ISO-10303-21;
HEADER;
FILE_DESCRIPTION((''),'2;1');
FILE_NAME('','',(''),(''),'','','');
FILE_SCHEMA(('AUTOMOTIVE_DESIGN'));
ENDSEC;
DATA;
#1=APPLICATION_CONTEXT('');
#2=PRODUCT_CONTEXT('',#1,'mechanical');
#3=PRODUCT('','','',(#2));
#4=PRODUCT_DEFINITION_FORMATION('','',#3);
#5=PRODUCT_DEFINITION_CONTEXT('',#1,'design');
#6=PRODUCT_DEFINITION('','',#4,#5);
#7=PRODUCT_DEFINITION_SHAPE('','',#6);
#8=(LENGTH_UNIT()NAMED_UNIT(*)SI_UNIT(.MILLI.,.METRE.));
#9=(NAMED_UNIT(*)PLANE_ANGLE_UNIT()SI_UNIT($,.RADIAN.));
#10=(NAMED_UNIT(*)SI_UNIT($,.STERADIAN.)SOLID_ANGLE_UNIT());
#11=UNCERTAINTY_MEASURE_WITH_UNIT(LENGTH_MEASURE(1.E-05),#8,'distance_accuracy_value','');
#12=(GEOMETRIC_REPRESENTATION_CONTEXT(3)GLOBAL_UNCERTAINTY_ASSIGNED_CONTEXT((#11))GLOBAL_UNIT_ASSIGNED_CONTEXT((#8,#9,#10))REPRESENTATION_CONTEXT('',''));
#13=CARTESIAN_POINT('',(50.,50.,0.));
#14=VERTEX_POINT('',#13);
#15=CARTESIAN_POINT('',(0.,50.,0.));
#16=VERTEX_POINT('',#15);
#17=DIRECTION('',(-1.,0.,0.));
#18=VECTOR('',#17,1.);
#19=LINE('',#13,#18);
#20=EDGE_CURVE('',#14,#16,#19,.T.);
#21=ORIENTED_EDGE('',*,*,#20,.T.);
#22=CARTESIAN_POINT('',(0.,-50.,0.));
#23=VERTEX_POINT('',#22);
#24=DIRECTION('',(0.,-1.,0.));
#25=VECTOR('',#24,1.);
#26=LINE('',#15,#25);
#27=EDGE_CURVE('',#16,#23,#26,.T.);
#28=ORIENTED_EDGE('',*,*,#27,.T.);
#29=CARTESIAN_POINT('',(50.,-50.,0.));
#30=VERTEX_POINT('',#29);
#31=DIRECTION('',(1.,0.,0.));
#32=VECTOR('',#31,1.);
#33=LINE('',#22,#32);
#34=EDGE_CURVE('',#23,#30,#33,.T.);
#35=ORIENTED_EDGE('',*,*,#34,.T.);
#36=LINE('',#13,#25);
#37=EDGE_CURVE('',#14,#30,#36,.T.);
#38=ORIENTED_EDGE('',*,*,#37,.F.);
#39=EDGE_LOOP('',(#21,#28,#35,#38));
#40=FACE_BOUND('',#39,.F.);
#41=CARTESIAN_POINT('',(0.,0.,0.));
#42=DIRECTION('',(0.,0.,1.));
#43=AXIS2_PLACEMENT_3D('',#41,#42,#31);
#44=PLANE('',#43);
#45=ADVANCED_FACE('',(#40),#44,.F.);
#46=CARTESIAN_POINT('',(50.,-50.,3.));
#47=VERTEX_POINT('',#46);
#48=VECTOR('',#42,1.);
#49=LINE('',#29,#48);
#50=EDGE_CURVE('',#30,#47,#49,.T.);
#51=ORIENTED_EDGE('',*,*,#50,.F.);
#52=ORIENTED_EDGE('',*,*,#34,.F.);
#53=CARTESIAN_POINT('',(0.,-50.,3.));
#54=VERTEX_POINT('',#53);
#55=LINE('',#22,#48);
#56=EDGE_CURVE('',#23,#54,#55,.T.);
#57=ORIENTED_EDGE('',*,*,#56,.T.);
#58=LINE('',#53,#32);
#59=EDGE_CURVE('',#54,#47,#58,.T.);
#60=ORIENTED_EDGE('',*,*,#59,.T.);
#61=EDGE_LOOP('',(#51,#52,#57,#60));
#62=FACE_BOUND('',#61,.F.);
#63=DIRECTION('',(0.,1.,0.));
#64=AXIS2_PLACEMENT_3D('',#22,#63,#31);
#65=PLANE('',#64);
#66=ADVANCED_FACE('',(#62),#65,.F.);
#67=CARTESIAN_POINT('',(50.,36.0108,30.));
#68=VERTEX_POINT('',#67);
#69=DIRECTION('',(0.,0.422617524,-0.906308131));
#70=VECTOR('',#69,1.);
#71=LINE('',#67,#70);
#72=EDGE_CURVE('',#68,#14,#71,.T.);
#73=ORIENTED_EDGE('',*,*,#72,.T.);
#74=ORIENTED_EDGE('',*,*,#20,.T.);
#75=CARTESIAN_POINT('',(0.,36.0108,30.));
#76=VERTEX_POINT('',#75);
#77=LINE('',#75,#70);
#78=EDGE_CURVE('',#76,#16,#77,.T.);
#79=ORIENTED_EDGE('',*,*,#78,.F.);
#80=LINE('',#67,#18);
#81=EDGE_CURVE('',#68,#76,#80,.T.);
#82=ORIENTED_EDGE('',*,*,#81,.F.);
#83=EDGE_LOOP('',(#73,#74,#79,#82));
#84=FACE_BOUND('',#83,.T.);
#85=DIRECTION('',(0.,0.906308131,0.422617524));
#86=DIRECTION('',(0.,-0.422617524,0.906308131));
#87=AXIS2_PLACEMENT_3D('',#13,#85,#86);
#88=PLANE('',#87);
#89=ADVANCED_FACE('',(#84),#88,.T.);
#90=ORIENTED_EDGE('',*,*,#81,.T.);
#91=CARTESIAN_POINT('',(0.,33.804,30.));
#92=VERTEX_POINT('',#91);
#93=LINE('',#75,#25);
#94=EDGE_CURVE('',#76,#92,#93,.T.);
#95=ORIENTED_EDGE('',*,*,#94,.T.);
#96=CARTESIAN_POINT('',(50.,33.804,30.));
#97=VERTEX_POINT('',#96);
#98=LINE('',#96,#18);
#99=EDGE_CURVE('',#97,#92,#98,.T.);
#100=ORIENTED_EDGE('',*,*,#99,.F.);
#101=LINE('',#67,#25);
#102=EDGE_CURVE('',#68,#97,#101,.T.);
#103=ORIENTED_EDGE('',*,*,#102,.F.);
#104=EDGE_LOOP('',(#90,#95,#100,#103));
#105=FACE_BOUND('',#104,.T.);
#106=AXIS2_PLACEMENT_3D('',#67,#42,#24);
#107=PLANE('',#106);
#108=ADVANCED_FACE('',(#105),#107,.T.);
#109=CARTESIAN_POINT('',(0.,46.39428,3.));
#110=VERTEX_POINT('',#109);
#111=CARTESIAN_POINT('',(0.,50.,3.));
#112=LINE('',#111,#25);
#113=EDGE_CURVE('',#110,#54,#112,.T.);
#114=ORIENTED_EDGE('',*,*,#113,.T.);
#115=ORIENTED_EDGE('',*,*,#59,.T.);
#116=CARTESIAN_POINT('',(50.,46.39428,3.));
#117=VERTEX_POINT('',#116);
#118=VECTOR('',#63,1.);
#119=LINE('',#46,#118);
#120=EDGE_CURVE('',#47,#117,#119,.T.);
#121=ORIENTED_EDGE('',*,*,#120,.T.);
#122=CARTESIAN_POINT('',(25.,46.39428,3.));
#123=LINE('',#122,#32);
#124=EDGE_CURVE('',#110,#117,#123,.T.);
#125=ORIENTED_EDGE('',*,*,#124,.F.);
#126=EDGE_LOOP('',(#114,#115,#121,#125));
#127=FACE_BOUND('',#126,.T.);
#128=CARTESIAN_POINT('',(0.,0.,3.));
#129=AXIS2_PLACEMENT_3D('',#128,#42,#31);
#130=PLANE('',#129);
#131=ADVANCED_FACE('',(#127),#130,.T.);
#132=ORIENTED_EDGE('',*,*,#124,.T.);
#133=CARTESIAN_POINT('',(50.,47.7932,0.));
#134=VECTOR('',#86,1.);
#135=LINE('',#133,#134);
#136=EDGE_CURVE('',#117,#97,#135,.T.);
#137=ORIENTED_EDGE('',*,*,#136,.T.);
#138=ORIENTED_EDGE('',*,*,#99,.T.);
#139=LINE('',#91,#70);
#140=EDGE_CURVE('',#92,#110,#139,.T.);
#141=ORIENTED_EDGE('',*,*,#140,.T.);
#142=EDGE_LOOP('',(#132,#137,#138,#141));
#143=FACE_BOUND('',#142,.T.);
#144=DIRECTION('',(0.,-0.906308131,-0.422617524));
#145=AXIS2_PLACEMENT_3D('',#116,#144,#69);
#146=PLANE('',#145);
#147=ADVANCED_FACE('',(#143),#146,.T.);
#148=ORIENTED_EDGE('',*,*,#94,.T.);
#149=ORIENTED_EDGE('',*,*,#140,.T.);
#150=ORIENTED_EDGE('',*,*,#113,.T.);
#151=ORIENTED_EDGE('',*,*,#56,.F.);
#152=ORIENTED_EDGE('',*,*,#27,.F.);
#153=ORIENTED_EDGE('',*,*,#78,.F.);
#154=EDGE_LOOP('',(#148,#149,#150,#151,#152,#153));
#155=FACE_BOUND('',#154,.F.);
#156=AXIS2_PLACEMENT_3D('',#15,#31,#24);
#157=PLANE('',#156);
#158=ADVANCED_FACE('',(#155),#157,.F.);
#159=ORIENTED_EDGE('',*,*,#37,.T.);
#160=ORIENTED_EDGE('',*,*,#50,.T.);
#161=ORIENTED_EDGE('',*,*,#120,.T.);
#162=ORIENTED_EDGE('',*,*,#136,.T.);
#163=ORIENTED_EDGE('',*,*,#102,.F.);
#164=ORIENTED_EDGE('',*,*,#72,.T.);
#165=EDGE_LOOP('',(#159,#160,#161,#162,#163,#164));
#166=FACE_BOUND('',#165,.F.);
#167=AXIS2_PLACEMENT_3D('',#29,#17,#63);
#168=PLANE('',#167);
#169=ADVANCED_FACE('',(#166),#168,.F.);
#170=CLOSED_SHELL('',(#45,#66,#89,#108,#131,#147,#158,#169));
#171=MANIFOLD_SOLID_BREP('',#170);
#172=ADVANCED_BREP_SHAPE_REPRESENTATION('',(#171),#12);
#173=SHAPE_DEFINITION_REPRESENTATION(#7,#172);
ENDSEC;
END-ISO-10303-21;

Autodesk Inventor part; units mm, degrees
ref_plane "YZ Plane" through (0, 0, 0) normal (1, 0, 0) x (0, 1, 0)
ref_plane "XZ Plane" through (0, 0, 0) normal (0, 1, 0) x (-1, 0, 0)
ref_plane "XY Plane" through (0, 0, 0) normal (0, 0, 1) x (1, 0, 0)
sketch "Náčrt1" plane through (0, 0, 0) normal (0, 0, 1) x (1, 0, 0)
  line L0 (0, -50) -> (50, -50)
  line L1 (50, -50) -> (50, 50)
  line L2 (50, 50) -> (0, 50)
  line L3 (0, 50) -> (0, -50)
  point P0 (0, 0)
  point P1 (50, 0)
  point P2 (0, 0)
  dimension "d0" = 50
  dimension "d1" = 100
extrude "Vysunutí1" add sketch "Náčrt1" along normal blind 3
sketch "Náčrt2" plane through (50, -50, 0) normal (1, 0, 0) x (0, 0, -1)
  line L0 (0, 0) -> (0, 100) projected
  line L1 (0, 100) -> (-30, 86.0108)
  line L2 (-30, 86.0108) -> (-30, 83.804)
  line L3 (-30, 83.804) -> (0, 97.7932)
  line L4 (-3, 0) -> (-3, 100) projected
  line L5 (0, 100) -> (-3, 100) projected
  point P0 (0, 50)
  point P1 (-3, 98.6011)
  dimension "d4" = 65
  dimension "d6" = 2
  dimension "d7" = 30
extrude "Vysunutí2" add sketch "Náčrt2" against normal up to surface (50 mm away) contours L3 L4 L1 L0 | L3 L2 L1 L4
extrude "Vysunutí3" cut sketch "Náčrt2" against normal through all contours L1 L4 L5
ref_plane "Pracovní rovina1" through (50, 50, 0) normal (0, -1, 0) x (1, 0, 0)
sketch "Náčrt3" plane through (50, 50, 0) normal (0, -1, 0) x (1, 0, 0)
  line L0 (-14.865, 22.13) -> (-19.865, 22.13)
  line L1 (-19.865, 22.13) -> (-19.865, 13.2518)
  line L2 (-19.865, 13.2518) -> (-14.865, 13.2518)
  line L3 (-14.865, 13.2518) -> (-14.865, 22.13)
  line L4 (-50, 13.2518) -> (-45, 13.2518)
  line L5 (-45, 13.2518) -> (-45, 22.13)
  line L6 (-45, 22.13) -> (-50, 22.13)
  line L7 (-50, 22.13) -> (-50, 13.2518)
  line L8 (0, 0) -> (0, 30) projected
  line L9 (-50, 30) -> (-50, 0) projected
  line L10 (0, 0) -> (-50, 0) projected
  dimension "d12" = 5
  dimension "d13" = 22.13
  dimension "d14" = 25.135
properties part number "Test rampy"
